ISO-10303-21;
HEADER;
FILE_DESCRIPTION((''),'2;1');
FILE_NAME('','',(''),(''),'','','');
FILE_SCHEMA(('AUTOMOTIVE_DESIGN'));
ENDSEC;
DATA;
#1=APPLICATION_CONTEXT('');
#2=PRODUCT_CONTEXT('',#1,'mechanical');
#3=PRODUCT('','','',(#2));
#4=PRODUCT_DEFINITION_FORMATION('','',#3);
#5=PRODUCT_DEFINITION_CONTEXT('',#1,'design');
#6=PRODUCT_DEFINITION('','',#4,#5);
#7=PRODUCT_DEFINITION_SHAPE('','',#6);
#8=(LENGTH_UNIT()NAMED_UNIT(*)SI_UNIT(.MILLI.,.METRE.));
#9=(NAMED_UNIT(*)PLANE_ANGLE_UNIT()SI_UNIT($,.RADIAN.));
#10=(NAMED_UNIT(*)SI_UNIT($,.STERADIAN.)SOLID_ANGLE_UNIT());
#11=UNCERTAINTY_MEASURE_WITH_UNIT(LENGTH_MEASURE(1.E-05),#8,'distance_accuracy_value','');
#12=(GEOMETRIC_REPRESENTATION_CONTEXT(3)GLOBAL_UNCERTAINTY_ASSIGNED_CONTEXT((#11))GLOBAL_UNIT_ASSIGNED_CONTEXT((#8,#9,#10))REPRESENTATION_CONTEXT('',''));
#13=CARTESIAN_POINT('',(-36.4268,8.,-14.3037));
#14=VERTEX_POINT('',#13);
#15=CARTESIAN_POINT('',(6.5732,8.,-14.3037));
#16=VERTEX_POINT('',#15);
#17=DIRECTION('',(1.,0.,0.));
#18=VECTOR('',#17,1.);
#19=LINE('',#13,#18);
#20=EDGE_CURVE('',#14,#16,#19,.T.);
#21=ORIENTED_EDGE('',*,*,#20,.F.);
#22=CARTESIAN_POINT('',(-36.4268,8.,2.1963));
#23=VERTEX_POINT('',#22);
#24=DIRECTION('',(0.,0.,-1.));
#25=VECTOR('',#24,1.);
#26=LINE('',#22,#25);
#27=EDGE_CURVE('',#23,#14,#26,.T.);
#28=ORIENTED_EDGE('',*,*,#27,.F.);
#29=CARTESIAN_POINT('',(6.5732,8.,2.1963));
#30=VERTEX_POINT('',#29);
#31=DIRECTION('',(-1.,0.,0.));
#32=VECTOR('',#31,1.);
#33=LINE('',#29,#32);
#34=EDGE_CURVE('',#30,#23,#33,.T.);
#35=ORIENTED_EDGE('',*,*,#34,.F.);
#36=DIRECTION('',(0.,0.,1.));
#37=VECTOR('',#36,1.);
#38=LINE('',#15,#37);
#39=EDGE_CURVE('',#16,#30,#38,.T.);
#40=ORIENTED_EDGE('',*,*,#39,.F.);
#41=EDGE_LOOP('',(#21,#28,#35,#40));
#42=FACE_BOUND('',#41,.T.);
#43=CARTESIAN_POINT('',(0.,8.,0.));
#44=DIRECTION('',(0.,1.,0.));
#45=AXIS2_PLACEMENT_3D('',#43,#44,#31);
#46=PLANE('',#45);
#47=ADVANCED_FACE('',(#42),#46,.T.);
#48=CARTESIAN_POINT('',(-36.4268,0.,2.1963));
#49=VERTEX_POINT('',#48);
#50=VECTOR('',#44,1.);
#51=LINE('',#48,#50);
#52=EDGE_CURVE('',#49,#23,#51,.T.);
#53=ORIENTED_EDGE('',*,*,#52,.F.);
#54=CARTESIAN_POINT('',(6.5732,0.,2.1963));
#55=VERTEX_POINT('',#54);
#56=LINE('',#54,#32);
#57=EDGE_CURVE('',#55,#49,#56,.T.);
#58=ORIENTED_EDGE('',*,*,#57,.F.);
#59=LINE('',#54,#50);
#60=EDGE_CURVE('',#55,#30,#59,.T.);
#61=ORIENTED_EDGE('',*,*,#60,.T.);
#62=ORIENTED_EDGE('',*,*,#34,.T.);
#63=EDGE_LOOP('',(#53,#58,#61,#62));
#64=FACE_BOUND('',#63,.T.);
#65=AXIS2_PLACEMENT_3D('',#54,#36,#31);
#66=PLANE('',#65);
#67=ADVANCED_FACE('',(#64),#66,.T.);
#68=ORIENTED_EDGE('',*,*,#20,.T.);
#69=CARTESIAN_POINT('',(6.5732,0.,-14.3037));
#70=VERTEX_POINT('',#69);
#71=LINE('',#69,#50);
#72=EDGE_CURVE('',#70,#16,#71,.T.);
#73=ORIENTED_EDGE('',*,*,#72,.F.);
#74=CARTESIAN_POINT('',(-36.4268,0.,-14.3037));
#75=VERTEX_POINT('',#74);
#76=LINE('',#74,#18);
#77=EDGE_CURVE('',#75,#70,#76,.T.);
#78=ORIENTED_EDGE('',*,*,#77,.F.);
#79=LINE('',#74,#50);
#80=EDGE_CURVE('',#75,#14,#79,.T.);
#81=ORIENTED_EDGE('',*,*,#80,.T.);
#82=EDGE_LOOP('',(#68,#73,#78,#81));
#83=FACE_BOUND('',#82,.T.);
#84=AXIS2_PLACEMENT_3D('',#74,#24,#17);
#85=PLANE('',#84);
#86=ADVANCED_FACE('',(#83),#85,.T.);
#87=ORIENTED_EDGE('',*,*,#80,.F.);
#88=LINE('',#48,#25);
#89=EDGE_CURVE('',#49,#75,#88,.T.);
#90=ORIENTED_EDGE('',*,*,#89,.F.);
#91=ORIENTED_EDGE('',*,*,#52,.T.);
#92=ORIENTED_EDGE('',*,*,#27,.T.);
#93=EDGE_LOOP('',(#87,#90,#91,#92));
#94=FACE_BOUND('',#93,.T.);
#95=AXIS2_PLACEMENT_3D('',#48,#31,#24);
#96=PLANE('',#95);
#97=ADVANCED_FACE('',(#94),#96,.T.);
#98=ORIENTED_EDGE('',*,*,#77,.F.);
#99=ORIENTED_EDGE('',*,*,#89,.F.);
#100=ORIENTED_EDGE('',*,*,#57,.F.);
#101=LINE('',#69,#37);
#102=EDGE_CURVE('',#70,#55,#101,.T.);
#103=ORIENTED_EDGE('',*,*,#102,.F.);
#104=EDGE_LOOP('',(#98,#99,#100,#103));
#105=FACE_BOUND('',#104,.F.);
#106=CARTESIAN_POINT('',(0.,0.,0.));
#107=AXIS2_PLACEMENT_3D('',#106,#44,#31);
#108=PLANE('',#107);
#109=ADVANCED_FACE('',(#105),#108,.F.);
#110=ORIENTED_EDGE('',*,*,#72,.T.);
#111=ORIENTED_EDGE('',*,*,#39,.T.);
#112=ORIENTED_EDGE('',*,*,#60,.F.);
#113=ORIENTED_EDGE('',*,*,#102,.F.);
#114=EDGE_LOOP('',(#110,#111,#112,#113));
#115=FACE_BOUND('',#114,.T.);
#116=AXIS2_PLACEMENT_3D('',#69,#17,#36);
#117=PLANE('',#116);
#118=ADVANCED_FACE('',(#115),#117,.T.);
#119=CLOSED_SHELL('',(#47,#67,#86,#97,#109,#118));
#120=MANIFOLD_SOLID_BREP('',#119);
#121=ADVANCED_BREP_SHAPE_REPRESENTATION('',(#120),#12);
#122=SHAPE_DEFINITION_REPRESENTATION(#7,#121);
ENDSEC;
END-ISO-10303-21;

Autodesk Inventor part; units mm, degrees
ref_plane "YZ Plane" through (0, 0, 0) normal (1, 0, 0) x (0, 1, 0)
ref_plane "XZ Plane" through (0, 0, 0) normal (0, 1, 0) x (-1, 0, 0)
ref_plane "XY Plane" through (0, 0, 0) normal (0, 0, 1) x (1, 0, 0)
sketch "Sketch1" plane through (0, 0, 0) normal (0, 1, 0) x (-1, 0, 0)
  line L0 (-6.5732, 2.1963) -> (36.4268, 2.1963)
  line L1 (36.4268, 2.1963) -> (36.4268, -14.3037)
  line L2 (36.4268, -14.3037) -> (-6.5732, -14.3037)
  line L3 (-6.5732, -14.3037) -> (-6.5732, 2.1963)
  point P0 (0, 0)
  dimension "d0" = 43
  dimension "d1" = 16.5
extrude "Extrusion1" add sketch "Sketch1" along normal blind 8
properties part number "BTboard"
